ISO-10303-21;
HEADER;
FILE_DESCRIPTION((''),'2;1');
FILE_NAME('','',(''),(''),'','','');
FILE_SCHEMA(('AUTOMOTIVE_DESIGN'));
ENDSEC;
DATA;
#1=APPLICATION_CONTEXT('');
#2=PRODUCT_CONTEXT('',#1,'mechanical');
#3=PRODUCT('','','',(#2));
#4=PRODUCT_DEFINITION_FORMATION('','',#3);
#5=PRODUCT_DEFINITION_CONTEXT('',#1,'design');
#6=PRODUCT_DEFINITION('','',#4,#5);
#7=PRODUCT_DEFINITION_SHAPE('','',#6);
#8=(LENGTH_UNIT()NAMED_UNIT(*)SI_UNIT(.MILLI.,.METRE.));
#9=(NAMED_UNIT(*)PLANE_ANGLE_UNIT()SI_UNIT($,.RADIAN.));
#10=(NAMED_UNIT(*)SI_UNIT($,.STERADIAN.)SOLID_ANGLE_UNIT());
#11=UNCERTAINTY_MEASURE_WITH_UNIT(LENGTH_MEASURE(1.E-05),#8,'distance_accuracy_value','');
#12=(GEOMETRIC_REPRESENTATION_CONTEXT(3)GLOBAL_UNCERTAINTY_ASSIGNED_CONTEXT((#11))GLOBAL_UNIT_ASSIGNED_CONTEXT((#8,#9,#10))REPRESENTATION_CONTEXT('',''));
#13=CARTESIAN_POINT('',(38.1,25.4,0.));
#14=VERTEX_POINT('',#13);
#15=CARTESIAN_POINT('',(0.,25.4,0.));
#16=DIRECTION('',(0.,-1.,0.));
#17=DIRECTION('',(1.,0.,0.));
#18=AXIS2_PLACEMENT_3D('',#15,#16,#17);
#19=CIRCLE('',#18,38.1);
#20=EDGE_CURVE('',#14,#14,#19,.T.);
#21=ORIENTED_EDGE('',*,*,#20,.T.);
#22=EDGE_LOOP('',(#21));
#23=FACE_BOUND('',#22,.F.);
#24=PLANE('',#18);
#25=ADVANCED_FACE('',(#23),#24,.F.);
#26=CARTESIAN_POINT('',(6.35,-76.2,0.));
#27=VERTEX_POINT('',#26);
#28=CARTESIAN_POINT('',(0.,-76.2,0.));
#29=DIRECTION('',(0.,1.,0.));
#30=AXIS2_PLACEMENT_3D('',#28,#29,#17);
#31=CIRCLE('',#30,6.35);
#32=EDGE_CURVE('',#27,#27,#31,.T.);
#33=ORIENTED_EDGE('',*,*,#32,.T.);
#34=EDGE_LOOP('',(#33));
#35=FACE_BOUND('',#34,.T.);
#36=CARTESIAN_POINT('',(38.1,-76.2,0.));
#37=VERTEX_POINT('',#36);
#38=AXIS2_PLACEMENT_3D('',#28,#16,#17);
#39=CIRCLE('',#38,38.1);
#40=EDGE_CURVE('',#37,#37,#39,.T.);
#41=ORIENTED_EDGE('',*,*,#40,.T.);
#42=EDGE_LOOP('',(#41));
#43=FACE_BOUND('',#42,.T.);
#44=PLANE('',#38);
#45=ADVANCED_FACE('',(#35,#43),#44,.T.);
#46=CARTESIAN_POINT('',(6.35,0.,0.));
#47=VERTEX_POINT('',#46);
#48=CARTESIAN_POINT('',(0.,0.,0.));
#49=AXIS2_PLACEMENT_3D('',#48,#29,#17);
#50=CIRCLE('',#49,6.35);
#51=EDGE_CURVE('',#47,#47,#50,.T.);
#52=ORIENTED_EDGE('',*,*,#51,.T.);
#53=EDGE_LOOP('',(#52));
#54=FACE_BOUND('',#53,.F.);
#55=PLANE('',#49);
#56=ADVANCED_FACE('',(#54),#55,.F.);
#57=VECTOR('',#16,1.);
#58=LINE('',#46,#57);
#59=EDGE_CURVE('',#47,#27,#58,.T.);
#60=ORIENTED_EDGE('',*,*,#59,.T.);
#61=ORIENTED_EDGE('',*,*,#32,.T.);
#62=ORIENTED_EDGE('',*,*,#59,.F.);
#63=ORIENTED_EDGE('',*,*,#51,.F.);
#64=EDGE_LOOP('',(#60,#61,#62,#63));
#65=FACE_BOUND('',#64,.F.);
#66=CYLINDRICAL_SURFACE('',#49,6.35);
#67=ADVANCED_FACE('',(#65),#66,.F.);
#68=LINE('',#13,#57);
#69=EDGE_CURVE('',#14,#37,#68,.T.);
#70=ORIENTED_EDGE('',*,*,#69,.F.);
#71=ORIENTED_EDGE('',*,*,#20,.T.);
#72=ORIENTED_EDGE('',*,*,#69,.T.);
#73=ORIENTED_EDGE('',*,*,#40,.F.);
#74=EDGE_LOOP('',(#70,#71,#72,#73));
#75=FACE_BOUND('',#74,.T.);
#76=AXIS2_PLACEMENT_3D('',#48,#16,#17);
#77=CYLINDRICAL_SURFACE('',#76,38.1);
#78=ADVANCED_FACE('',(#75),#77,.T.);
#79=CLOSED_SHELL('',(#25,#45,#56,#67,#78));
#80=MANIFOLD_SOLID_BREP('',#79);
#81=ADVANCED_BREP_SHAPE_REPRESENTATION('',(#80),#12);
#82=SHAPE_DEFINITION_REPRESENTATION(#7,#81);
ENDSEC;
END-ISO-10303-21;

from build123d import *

# Parameters (mm, degrees)
F0_R          = 38.1
F1_DEPTH      = 76.2
F1_DEPTH_BACK = 25.4
F3_D          = 12.7
F3_DEPTH      = 101.6
F3_TIP        = 3.8154649308


with BuildPart() as f1:
    # F0 (on Front) → F1 (new body, two sides)
    with BuildSketch(Plane.XZ) as f1_sk:
        Circle(F0_R)
    extrude(amount=F1_DEPTH)
    extrude(f1_sk.sketch, amount=-F1_DEPTH_BACK)

    # F3 (one way)
    with BuildSketch(Plane(origin=(0, 0, 0), x_dir=(1, 0, 0), z_dir=(0, 1, 0))):
        with Locations((0, 0)):
            Circle(F3_D / 2)
    extrude(amount=-F3_DEPTH, mode=Mode.SUBTRACT)
    with Locations(Plane(origin=(0, 0, 0), x_dir=(1, 0, 0), z_dir=(0, 1, 0))):
        with Locations((0, 0)):
            with Locations((0, 0, -(F3_DEPTH + F3_TIP / 2))):  # 118° drill point
                Cone(0, F3_D / 2, F3_TIP, mode=Mode.SUBTRACT)


solid = f1.part
